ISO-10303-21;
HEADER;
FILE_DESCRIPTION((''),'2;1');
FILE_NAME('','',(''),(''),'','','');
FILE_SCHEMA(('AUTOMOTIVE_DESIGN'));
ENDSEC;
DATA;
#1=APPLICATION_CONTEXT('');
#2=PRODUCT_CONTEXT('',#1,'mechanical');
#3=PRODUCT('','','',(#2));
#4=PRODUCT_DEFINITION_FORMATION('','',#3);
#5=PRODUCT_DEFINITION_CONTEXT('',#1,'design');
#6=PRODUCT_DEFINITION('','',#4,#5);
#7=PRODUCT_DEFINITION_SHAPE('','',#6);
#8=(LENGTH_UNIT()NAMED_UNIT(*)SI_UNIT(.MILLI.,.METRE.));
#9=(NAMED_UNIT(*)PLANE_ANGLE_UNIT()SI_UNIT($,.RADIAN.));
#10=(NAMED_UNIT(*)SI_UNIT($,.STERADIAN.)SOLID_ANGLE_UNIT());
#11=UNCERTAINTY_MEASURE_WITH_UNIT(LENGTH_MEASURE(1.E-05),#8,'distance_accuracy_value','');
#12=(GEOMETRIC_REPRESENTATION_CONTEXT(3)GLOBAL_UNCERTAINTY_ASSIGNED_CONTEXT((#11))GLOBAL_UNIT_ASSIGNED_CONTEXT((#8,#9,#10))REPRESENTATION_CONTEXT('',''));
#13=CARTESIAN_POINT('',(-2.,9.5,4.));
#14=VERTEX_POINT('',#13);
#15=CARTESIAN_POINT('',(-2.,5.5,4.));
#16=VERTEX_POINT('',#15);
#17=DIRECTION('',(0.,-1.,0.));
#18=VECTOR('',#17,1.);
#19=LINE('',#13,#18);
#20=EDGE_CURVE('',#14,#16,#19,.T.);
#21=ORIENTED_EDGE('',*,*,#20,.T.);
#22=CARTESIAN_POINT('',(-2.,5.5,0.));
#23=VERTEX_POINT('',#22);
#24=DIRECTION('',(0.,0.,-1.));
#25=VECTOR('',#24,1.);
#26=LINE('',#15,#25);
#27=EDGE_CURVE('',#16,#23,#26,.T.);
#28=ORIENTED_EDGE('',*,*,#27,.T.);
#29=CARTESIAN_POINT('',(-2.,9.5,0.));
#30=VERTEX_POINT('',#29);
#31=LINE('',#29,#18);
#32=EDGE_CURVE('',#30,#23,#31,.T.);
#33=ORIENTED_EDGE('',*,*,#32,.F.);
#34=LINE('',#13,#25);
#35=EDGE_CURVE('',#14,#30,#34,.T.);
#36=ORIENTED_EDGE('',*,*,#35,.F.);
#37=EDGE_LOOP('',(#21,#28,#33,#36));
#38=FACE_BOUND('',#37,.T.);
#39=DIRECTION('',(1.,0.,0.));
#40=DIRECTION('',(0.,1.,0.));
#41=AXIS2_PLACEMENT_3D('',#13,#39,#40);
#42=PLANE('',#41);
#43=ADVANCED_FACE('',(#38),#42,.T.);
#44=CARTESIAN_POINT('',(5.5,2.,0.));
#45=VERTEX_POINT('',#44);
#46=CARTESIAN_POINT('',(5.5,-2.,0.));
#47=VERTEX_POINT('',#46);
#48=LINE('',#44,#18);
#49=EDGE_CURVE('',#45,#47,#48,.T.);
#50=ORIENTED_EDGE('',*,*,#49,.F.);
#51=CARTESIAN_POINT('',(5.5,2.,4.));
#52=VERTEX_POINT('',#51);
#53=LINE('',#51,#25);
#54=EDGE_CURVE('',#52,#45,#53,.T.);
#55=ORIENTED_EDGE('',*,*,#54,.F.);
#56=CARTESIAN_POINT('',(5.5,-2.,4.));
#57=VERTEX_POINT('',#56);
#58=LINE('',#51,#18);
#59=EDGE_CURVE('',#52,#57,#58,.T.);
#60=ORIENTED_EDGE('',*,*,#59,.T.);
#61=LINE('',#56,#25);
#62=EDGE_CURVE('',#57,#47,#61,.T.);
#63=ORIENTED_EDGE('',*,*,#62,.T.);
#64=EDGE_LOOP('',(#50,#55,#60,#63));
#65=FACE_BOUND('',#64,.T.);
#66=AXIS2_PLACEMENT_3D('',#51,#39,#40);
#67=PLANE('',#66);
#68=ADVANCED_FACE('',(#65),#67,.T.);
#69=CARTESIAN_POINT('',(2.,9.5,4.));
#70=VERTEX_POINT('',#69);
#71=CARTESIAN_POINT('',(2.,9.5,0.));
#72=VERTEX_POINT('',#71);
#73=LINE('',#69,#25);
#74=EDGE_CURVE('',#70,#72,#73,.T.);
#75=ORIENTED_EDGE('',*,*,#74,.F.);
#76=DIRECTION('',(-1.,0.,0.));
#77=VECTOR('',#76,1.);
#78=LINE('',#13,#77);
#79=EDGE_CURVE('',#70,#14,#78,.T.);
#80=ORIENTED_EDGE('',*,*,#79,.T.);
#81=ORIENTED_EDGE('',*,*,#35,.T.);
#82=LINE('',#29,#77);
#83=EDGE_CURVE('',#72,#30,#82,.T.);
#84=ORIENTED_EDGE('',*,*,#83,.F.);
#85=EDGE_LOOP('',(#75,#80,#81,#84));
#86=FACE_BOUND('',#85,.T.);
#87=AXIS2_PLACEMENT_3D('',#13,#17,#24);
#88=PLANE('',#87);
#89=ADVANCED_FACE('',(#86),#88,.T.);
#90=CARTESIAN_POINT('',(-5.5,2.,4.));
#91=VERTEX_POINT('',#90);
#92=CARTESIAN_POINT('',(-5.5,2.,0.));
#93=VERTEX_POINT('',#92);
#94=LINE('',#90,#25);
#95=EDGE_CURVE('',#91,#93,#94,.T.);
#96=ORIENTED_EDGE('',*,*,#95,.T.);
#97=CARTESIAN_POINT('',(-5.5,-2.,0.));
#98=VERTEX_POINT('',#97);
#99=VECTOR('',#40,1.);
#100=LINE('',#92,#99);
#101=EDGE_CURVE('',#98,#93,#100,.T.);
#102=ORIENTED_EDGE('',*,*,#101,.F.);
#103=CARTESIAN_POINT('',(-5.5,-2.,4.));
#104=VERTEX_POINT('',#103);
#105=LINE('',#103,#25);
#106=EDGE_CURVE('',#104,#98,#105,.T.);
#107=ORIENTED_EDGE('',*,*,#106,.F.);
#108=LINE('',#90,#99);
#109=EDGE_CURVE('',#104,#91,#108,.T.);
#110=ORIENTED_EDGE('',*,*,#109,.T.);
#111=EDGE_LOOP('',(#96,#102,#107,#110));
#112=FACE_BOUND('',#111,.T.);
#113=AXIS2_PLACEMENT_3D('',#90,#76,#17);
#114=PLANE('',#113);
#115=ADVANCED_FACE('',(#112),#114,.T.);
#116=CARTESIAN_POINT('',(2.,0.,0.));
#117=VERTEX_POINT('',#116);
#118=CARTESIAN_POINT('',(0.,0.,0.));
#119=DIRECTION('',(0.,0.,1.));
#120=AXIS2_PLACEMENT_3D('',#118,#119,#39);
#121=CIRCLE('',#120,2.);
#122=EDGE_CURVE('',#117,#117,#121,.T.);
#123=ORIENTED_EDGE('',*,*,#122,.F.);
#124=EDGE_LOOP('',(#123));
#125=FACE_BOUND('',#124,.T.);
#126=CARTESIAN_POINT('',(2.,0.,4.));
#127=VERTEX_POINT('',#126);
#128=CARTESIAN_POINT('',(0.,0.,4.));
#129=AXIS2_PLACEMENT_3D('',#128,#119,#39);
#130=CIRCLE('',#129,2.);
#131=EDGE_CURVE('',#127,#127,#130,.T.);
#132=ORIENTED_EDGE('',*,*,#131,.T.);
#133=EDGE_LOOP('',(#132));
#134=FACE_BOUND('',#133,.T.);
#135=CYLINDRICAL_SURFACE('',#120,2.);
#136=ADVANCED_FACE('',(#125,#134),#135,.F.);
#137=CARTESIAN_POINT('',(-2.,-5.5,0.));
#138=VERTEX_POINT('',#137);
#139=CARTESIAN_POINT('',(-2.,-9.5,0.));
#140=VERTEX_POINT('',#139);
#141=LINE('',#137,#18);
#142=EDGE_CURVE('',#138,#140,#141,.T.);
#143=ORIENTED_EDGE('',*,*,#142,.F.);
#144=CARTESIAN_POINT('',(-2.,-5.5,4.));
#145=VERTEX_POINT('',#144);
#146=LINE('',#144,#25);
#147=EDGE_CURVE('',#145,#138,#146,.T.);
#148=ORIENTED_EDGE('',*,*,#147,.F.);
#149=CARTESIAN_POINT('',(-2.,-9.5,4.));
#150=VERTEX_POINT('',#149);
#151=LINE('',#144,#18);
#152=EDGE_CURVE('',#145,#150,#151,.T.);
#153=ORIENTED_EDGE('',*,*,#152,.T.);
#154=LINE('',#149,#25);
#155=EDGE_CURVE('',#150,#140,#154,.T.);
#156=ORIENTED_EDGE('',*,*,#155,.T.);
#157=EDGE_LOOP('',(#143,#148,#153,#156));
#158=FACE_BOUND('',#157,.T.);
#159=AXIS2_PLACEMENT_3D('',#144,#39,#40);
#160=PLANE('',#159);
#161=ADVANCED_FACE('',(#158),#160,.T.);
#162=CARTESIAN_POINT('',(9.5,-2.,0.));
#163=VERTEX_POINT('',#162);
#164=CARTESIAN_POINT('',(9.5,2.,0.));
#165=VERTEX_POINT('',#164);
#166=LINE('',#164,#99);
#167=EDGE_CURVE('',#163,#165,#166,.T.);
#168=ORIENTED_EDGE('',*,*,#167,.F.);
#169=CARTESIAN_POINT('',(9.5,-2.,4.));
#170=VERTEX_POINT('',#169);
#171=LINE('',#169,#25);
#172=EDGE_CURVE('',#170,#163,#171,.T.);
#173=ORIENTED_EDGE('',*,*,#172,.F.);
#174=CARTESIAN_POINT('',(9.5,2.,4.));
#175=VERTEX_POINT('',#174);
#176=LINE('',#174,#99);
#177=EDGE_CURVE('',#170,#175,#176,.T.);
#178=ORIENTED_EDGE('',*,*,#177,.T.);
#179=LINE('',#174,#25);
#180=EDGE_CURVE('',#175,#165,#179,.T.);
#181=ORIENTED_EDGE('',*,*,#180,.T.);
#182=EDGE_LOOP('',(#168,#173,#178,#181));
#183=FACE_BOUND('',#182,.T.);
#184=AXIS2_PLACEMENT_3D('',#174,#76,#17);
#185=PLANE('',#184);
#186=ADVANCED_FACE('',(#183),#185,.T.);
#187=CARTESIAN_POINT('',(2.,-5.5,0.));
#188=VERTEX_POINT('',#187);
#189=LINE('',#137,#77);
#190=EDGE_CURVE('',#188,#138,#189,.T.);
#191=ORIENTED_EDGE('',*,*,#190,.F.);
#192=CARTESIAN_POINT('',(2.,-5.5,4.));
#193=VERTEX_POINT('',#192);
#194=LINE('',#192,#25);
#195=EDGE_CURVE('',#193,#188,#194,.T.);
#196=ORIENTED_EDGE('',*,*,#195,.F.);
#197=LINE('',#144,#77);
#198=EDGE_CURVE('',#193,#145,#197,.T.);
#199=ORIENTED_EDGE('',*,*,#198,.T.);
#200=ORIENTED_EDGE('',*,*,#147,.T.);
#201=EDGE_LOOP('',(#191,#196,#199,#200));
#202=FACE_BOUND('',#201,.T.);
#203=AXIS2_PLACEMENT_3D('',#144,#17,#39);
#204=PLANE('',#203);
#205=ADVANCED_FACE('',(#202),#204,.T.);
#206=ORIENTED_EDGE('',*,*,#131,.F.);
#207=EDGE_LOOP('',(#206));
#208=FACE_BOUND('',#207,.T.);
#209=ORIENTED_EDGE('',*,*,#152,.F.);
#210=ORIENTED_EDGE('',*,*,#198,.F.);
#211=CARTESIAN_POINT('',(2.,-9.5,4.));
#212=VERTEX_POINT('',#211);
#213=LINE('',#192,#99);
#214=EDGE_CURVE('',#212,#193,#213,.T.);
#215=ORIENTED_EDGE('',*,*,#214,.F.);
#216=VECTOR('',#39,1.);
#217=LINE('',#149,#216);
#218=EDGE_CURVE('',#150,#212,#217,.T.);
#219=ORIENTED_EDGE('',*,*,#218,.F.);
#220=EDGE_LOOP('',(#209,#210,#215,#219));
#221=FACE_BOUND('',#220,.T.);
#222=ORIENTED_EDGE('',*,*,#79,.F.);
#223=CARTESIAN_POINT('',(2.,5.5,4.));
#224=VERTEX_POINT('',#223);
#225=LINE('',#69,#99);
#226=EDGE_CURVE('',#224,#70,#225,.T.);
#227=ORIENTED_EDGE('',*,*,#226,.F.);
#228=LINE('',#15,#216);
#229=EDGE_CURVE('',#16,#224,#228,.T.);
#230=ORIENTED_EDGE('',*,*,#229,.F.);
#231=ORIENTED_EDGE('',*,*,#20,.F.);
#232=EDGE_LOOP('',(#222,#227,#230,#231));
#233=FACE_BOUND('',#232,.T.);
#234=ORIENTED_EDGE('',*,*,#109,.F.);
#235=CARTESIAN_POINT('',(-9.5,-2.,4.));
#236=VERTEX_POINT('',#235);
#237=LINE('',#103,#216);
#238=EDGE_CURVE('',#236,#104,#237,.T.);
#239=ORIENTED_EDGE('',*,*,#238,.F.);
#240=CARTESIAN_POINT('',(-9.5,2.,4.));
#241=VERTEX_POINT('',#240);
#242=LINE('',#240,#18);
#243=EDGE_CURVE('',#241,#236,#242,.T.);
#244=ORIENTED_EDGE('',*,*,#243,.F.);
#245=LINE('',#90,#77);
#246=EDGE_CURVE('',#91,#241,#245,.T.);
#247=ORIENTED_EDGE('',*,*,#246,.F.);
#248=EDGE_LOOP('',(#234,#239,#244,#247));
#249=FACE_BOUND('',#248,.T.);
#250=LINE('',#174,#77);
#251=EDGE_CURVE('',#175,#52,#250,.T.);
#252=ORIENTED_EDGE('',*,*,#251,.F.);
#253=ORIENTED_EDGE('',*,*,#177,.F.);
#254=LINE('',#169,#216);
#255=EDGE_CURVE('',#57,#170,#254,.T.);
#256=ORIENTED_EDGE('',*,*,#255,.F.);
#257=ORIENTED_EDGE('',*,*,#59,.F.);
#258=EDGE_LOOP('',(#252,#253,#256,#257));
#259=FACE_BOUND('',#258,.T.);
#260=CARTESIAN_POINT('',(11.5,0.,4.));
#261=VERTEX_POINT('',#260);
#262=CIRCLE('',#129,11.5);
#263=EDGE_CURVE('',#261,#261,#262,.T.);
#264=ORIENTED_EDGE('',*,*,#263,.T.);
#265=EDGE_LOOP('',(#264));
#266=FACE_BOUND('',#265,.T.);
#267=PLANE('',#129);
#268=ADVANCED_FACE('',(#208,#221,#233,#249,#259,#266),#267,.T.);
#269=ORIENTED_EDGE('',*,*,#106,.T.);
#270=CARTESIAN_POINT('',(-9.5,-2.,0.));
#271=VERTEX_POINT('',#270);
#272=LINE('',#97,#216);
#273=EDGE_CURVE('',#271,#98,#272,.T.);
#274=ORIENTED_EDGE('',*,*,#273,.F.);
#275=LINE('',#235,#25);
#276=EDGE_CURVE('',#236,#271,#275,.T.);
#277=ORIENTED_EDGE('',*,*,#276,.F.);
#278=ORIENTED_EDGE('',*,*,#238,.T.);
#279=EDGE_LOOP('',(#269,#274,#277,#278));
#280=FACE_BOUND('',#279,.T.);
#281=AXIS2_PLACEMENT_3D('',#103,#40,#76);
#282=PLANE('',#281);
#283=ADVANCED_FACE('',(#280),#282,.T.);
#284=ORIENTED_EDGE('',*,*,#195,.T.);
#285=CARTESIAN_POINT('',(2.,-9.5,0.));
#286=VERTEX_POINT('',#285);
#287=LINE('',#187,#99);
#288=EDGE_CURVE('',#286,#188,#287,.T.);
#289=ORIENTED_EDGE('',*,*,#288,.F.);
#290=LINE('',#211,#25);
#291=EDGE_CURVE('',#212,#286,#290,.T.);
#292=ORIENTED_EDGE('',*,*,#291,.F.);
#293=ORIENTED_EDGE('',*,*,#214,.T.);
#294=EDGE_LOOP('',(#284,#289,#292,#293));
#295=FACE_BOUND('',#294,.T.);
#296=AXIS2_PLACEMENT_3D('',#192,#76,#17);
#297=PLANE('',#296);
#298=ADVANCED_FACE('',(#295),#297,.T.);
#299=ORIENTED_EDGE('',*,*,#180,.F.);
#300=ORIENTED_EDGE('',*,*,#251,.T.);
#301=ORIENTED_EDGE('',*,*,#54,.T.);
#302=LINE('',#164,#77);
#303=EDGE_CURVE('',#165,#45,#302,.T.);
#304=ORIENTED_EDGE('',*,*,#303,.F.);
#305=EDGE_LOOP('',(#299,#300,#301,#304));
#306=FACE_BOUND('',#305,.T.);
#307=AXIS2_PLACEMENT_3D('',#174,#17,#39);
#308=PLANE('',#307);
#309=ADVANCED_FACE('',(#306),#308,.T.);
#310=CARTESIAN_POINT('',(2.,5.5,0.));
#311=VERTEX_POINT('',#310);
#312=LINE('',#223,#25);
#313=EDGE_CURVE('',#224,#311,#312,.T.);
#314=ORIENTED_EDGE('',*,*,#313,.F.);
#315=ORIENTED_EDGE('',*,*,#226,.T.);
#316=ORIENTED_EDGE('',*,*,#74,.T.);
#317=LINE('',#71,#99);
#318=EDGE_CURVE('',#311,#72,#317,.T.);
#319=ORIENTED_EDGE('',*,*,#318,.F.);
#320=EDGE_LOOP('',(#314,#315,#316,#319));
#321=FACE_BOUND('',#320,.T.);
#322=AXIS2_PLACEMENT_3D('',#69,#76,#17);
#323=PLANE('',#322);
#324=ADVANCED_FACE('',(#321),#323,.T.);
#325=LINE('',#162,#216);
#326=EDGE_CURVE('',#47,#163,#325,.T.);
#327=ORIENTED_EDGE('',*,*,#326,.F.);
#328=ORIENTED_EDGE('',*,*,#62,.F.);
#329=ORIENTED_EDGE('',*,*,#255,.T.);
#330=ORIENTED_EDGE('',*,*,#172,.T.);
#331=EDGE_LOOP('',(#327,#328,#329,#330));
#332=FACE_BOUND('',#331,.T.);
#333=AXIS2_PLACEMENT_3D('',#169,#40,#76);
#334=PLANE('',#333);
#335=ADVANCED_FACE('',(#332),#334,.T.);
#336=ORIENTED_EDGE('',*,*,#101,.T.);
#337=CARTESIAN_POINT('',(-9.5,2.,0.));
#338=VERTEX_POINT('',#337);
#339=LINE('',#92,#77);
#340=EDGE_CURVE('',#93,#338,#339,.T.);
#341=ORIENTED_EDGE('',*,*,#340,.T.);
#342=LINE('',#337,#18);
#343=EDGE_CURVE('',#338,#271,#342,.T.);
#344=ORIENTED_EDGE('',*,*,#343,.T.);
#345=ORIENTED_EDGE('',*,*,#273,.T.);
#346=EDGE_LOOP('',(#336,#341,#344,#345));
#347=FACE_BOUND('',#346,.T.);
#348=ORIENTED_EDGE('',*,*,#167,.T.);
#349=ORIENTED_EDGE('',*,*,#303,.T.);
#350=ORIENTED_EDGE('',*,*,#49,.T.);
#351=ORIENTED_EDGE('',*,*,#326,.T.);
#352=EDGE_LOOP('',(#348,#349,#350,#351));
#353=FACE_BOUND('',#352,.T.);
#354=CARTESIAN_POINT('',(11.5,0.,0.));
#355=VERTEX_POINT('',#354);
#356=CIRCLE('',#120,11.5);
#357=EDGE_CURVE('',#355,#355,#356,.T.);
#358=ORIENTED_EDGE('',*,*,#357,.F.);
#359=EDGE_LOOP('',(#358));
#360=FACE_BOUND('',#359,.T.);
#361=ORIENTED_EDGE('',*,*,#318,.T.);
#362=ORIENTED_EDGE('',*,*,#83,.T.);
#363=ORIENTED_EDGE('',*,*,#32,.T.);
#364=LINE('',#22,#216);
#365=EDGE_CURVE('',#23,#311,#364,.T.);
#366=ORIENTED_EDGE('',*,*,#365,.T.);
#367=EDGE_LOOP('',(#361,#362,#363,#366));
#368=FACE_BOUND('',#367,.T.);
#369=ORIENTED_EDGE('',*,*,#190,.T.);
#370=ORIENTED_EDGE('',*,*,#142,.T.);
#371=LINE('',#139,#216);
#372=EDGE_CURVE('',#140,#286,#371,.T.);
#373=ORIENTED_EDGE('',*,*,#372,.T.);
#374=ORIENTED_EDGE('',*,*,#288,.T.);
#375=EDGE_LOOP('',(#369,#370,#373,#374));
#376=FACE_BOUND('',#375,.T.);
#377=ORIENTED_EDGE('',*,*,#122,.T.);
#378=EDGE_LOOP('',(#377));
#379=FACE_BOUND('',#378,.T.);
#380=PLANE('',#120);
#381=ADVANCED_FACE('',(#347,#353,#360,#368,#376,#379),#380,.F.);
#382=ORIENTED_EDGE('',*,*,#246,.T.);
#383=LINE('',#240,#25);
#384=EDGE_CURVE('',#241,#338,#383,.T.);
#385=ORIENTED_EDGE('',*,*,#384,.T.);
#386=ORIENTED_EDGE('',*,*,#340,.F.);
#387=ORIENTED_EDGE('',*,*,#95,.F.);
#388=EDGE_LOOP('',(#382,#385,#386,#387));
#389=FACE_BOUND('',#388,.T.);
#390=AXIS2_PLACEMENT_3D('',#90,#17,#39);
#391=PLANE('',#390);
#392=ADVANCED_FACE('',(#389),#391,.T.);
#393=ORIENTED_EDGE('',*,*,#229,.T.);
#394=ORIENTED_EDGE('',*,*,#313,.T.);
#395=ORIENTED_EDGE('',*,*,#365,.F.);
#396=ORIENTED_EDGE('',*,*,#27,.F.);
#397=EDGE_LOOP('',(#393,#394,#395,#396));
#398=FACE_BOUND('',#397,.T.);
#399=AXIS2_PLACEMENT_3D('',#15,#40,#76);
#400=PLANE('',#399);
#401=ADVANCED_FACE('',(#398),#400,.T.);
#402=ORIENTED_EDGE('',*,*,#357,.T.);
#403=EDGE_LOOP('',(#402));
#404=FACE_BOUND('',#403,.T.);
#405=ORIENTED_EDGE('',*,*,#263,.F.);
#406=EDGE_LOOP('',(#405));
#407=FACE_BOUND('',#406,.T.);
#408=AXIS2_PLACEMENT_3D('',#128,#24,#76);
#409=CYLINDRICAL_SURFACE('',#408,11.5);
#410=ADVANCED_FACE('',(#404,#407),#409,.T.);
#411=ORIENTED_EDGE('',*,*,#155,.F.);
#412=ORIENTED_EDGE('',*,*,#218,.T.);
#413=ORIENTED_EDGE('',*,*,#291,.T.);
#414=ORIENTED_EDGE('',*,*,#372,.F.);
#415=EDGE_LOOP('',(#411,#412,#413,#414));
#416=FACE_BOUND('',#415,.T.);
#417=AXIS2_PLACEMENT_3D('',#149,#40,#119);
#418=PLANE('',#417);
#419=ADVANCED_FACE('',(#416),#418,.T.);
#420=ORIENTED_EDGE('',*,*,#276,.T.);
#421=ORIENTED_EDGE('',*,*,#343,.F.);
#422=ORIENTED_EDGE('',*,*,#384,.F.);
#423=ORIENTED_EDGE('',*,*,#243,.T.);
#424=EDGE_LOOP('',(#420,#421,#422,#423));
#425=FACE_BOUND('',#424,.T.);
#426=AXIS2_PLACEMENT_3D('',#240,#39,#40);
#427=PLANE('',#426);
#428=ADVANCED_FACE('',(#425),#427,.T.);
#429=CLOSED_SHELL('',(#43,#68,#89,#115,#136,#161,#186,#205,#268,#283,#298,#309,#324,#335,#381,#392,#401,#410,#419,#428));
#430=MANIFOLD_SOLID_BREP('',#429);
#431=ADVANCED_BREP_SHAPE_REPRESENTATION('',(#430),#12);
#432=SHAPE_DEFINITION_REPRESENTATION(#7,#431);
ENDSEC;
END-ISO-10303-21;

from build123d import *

# Parameters (mm, degrees)
SKETCH1_R           = 11.5
SKETCH1_W           = 4
SKETCH1_H           = 4
BOSS_EXTRUDE1_DEPTH = 4
SKETCH2_R           = 2
CUT_EXTRUDE1_DEPTH  = 4


with BuildPart() as part:
    # Sketch1 → Boss-Extrude1 (new body)
    with BuildSketch(Plane.XY):
        Circle(SKETCH1_R)
        with Locations((0, 7.5)):
            Rectangle(SKETCH1_W, SKETCH1_H, mode=Mode.SUBTRACT)
        with Locations((7.5, 0)):
            Rectangle(SKETCH1_W, SKETCH1_H, mode=Mode.SUBTRACT)
        with Locations((0, -7.5)):
            Rectangle(SKETCH1_W, SKETCH1_H, mode=Mode.SUBTRACT)
        with Locations((-7.5, 0)):
            Rectangle(SKETCH1_W, SKETCH1_H, mode=Mode.SUBTRACT)
    extrude(amount=BOSS_EXTRUDE1_DEPTH)

    # Sketch2 → Cut-Extrude1 (cut)
    with BuildSketch(Plane.XY.offset(4)):
        Circle(SKETCH2_R)
    extrude(amount=-CUT_EXTRUDE1_DEPTH, mode=Mode.SUBTRACT)


solid = part.part
